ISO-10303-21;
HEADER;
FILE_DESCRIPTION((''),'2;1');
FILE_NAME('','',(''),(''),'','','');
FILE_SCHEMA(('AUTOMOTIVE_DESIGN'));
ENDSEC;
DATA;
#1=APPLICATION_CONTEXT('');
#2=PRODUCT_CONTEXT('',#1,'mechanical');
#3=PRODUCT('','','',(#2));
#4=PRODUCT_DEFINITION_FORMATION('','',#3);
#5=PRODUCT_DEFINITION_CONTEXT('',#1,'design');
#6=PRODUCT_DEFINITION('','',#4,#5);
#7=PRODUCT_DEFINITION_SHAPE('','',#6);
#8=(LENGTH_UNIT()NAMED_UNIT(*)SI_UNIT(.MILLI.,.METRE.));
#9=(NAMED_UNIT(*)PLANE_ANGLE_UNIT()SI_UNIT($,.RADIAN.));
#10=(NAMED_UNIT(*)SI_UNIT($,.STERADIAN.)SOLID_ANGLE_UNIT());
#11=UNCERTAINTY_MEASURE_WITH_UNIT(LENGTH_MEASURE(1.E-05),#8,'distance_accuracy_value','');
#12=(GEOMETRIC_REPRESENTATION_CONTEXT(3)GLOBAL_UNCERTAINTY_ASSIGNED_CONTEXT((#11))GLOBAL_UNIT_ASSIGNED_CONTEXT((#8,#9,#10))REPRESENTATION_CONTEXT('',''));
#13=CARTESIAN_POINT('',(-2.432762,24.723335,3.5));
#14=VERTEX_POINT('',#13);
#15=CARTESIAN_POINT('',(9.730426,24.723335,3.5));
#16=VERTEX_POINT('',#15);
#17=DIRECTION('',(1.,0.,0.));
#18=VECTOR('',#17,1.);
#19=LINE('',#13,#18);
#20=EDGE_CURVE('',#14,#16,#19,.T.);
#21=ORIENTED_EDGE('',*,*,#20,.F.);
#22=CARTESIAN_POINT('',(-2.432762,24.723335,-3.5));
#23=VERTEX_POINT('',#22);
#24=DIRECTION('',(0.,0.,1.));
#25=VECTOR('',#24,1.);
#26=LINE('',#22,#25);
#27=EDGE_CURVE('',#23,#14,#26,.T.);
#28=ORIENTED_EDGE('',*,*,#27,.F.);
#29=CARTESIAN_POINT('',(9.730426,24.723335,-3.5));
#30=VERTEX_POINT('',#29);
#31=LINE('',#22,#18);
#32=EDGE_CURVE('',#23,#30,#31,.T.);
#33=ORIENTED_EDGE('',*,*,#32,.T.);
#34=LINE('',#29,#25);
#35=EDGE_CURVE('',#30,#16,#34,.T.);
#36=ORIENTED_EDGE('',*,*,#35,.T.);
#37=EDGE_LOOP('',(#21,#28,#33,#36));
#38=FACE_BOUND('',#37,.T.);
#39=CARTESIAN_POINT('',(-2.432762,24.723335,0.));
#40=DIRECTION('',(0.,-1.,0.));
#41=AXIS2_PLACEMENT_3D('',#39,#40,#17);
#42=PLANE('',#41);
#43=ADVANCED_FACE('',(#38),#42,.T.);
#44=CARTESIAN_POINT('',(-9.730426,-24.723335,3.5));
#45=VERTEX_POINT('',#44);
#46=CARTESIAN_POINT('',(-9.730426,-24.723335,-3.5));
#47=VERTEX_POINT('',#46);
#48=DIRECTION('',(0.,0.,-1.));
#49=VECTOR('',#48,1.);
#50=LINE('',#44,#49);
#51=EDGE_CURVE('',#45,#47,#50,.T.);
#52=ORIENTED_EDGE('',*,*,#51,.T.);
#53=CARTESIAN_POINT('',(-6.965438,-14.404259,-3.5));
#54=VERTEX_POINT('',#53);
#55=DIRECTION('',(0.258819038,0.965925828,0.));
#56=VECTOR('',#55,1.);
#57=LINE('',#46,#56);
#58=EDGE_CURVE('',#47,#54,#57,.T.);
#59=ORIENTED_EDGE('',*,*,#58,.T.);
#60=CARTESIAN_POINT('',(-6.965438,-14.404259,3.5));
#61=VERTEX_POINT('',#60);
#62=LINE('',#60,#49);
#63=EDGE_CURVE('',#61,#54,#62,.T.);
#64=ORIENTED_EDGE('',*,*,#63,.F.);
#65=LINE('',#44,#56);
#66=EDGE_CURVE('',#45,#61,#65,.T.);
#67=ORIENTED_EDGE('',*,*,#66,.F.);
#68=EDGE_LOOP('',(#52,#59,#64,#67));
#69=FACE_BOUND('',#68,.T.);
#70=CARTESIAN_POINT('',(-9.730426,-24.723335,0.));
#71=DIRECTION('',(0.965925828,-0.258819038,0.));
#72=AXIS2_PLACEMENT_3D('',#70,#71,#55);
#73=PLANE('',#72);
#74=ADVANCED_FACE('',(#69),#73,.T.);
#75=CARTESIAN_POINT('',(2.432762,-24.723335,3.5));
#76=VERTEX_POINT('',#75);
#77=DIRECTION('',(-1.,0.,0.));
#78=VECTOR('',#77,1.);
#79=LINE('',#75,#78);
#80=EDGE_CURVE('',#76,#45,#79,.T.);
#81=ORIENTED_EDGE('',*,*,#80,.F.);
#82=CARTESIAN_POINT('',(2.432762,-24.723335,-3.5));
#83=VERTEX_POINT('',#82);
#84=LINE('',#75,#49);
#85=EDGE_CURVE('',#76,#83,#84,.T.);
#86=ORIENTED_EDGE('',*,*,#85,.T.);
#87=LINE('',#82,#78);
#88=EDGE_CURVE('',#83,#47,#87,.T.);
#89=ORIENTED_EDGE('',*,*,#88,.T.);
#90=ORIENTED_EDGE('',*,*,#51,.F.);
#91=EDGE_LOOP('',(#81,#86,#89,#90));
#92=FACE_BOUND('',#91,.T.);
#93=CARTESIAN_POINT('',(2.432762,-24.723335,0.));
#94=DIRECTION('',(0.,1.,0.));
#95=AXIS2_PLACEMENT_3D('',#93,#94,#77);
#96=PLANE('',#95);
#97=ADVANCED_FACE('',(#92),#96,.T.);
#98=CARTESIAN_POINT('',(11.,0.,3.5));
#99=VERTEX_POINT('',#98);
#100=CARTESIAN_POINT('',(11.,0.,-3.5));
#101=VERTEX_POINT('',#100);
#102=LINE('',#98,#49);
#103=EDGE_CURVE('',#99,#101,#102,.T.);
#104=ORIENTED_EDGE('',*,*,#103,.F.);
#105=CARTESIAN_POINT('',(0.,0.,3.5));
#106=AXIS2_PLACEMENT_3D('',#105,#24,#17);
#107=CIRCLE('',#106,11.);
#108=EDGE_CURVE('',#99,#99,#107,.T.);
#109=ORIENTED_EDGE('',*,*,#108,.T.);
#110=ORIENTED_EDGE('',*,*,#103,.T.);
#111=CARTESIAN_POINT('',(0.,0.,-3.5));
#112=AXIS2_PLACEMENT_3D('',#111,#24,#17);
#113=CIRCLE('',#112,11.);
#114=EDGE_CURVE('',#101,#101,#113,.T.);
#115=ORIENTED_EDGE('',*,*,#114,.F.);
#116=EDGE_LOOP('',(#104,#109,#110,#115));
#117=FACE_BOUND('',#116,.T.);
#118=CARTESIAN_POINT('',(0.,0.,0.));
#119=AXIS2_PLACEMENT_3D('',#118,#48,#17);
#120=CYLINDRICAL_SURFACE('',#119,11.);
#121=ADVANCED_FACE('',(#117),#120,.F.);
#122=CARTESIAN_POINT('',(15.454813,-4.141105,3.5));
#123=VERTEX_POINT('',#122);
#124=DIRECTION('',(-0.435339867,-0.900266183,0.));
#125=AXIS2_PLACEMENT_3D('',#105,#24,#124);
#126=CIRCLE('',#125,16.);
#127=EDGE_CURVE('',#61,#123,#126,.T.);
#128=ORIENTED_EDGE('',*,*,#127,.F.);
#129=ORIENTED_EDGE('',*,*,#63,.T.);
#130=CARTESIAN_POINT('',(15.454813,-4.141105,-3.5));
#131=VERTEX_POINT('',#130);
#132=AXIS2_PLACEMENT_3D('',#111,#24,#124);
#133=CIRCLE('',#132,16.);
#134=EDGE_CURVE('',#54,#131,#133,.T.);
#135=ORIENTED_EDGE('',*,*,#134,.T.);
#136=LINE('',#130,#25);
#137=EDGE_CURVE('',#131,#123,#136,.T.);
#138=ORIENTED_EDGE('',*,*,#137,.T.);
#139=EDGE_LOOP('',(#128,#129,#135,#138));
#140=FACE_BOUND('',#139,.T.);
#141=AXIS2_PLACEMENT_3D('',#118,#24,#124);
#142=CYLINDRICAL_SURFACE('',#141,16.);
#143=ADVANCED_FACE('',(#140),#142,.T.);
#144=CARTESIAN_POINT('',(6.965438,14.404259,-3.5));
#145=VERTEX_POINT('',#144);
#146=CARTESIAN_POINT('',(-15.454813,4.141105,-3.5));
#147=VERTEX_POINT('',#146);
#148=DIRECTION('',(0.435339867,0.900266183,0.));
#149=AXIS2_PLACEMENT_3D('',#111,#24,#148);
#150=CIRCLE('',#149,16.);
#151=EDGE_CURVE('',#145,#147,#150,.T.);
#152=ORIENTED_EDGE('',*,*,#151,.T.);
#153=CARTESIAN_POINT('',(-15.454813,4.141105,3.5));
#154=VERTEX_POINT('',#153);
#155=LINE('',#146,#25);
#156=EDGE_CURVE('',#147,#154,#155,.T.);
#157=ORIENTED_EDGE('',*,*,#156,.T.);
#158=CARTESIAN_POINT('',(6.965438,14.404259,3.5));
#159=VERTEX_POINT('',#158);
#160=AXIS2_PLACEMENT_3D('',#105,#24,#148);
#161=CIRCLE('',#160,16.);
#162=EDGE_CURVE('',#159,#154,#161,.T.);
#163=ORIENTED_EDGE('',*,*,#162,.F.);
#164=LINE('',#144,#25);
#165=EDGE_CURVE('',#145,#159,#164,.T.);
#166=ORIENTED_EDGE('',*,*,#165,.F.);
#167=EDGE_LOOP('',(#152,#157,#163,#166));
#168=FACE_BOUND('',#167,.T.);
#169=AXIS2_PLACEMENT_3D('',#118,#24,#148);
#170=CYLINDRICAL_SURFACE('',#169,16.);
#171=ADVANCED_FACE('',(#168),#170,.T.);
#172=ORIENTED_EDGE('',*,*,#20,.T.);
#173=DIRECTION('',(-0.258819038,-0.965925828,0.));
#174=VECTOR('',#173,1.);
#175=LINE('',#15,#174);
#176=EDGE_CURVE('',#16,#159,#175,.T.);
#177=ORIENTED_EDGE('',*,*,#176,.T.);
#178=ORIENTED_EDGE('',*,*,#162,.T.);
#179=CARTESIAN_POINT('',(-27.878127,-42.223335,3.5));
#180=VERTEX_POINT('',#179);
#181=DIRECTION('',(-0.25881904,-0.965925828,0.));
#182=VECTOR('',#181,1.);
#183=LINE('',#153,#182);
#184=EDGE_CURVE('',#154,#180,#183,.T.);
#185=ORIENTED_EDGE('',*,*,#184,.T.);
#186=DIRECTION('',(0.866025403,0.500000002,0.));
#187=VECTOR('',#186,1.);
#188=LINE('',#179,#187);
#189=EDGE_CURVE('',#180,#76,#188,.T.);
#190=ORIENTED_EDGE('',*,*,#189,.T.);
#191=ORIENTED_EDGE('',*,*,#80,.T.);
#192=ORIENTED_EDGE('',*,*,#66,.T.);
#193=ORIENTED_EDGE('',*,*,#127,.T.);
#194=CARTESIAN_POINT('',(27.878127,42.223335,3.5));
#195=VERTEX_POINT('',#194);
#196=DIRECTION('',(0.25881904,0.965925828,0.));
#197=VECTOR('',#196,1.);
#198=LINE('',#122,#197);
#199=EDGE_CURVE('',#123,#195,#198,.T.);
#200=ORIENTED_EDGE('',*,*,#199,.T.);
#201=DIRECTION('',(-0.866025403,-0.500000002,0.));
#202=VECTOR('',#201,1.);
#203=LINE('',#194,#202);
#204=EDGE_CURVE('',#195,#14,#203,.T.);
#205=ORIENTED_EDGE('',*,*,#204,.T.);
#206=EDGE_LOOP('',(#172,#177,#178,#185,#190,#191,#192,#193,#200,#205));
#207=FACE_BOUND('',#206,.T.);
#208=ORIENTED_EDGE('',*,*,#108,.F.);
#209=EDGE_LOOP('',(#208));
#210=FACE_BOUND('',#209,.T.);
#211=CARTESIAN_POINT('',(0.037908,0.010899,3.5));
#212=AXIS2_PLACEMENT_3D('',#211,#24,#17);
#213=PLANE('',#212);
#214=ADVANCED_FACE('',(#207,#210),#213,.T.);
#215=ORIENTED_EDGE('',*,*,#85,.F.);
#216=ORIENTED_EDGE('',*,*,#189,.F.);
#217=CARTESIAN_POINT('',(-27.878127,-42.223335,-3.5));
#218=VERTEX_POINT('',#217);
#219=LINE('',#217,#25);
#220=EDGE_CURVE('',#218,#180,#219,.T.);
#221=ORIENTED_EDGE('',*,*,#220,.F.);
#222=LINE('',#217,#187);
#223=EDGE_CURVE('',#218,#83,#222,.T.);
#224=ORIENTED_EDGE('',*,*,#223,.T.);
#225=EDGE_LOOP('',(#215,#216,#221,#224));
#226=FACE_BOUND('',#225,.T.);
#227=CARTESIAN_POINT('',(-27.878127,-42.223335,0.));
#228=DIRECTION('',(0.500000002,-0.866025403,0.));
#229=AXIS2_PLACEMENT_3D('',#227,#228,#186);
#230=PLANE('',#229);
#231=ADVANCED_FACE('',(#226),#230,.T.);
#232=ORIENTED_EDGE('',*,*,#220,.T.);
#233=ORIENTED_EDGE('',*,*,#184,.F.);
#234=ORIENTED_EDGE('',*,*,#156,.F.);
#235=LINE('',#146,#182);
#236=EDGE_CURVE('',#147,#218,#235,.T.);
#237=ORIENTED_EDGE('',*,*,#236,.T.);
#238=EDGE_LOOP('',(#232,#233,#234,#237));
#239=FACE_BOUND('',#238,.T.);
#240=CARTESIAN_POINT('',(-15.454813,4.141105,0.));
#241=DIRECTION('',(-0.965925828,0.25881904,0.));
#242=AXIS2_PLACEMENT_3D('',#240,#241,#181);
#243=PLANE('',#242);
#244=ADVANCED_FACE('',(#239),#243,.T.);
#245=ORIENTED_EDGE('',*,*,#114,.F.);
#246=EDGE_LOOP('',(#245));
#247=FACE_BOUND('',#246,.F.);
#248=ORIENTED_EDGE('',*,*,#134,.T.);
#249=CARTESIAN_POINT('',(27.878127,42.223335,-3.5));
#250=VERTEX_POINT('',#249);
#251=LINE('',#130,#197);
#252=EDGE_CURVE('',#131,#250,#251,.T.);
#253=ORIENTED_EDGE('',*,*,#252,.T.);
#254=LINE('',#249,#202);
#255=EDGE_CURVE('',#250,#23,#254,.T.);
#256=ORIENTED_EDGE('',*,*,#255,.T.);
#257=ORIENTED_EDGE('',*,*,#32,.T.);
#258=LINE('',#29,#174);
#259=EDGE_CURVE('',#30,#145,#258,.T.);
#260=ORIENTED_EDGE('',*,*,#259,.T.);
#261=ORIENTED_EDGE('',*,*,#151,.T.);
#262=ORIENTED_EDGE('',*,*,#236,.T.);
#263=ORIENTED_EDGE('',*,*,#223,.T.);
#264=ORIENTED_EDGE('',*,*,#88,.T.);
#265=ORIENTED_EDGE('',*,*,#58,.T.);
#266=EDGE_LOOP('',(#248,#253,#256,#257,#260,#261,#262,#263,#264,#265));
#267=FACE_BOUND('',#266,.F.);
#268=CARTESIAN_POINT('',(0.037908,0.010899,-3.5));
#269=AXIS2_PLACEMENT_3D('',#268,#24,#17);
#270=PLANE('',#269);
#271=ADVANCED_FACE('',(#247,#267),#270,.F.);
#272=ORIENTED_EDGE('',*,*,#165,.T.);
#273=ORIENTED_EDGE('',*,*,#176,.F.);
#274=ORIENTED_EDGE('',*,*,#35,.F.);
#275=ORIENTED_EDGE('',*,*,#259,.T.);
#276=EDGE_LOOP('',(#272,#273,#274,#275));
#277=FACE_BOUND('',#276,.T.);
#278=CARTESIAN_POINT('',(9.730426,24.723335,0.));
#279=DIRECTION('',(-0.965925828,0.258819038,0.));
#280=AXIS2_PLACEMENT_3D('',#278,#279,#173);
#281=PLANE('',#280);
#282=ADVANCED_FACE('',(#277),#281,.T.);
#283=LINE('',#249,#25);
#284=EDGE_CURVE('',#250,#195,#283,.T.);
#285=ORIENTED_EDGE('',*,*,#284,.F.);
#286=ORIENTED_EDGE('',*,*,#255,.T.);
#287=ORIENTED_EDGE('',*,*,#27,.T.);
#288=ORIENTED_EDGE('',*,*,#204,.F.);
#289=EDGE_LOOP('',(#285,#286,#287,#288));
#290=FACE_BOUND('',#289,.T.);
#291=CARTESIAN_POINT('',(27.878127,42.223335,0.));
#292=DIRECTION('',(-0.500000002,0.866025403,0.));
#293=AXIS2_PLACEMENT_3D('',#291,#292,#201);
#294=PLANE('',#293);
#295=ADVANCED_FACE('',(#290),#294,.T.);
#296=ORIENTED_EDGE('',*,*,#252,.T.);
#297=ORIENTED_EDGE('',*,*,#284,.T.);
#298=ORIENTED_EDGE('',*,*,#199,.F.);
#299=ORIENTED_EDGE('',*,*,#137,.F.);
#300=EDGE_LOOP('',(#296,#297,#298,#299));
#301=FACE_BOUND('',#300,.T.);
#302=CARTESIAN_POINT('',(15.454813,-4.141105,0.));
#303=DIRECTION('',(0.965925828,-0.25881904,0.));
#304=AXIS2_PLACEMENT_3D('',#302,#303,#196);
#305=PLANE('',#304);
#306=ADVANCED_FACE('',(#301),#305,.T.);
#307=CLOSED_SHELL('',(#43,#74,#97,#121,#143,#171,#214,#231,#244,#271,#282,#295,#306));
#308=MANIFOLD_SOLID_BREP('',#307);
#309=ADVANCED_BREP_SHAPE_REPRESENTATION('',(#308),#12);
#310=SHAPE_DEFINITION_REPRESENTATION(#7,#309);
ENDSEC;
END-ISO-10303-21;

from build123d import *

# Parameters (mm, degrees)
F0_R     = 11
F1_DEPTH = 3.5


with BuildPart() as f1:
    # F0 (on Top) → F1 (new body, symmetric)
    with BuildSketch(Plane.XY):
        with BuildLine():
            ThreePointArc((15.454813, -4.141105), (15.863118, -2.088419), (16, 0))
            ThreePointArc((16, 0), (13.554464, 8.501558), (6.965438, 14.404259))
            ThreePointArc((6.965438, 14.404259), (-6.659614, 14.54818), (-15.454813, 4.141105))
            ThreePointArc((-15.454813, 4.141105), (-14.54818, -6.659614), (-6.965438, -14.404259))
            ThreePointArc((-6.965438, -14.404259), (6.659614, -14.54818), (15.454813, -4.141105))
        make_face()
        Circle(F0_R, mode=Mode.SUBTRACT)
        with BuildLine():
            ThreePointArc((6.965438, 14.404259), (13.554464, 8.501558), (16, 0))
            ThreePointArc((16, 0), (15.863118, -2.088419), (15.454813, -4.141105))
            Line((15.454813, -4.141105), (27.878127, 42.223335))
            Line((27.878127, 42.223335), (-2.432762, 24.723335))
            Line((-2.432762, 24.723335), (9.730426, 24.723335))
            Line((9.730426, 24.723335), (6.965438, 14.404259))
        make_face()
        with BuildLine():
            ThreePointArc((-6.965438, -14.404259), (-14.54818, -6.659614), (-15.454813, 4.141105))
            Line((-15.454813, 4.141105), (-27.878127, -42.223335))
            Line((-27.878127, -42.223335), (2.432762, -24.723335))
            Line((2.432762, -24.723335), (-9.730426, -24.723335))
            Line((-9.730426, -24.723335), (-6.965438, -14.404259))
        make_face()
    extrude(amount=F1_DEPTH, both=True)


solid = f1.part
